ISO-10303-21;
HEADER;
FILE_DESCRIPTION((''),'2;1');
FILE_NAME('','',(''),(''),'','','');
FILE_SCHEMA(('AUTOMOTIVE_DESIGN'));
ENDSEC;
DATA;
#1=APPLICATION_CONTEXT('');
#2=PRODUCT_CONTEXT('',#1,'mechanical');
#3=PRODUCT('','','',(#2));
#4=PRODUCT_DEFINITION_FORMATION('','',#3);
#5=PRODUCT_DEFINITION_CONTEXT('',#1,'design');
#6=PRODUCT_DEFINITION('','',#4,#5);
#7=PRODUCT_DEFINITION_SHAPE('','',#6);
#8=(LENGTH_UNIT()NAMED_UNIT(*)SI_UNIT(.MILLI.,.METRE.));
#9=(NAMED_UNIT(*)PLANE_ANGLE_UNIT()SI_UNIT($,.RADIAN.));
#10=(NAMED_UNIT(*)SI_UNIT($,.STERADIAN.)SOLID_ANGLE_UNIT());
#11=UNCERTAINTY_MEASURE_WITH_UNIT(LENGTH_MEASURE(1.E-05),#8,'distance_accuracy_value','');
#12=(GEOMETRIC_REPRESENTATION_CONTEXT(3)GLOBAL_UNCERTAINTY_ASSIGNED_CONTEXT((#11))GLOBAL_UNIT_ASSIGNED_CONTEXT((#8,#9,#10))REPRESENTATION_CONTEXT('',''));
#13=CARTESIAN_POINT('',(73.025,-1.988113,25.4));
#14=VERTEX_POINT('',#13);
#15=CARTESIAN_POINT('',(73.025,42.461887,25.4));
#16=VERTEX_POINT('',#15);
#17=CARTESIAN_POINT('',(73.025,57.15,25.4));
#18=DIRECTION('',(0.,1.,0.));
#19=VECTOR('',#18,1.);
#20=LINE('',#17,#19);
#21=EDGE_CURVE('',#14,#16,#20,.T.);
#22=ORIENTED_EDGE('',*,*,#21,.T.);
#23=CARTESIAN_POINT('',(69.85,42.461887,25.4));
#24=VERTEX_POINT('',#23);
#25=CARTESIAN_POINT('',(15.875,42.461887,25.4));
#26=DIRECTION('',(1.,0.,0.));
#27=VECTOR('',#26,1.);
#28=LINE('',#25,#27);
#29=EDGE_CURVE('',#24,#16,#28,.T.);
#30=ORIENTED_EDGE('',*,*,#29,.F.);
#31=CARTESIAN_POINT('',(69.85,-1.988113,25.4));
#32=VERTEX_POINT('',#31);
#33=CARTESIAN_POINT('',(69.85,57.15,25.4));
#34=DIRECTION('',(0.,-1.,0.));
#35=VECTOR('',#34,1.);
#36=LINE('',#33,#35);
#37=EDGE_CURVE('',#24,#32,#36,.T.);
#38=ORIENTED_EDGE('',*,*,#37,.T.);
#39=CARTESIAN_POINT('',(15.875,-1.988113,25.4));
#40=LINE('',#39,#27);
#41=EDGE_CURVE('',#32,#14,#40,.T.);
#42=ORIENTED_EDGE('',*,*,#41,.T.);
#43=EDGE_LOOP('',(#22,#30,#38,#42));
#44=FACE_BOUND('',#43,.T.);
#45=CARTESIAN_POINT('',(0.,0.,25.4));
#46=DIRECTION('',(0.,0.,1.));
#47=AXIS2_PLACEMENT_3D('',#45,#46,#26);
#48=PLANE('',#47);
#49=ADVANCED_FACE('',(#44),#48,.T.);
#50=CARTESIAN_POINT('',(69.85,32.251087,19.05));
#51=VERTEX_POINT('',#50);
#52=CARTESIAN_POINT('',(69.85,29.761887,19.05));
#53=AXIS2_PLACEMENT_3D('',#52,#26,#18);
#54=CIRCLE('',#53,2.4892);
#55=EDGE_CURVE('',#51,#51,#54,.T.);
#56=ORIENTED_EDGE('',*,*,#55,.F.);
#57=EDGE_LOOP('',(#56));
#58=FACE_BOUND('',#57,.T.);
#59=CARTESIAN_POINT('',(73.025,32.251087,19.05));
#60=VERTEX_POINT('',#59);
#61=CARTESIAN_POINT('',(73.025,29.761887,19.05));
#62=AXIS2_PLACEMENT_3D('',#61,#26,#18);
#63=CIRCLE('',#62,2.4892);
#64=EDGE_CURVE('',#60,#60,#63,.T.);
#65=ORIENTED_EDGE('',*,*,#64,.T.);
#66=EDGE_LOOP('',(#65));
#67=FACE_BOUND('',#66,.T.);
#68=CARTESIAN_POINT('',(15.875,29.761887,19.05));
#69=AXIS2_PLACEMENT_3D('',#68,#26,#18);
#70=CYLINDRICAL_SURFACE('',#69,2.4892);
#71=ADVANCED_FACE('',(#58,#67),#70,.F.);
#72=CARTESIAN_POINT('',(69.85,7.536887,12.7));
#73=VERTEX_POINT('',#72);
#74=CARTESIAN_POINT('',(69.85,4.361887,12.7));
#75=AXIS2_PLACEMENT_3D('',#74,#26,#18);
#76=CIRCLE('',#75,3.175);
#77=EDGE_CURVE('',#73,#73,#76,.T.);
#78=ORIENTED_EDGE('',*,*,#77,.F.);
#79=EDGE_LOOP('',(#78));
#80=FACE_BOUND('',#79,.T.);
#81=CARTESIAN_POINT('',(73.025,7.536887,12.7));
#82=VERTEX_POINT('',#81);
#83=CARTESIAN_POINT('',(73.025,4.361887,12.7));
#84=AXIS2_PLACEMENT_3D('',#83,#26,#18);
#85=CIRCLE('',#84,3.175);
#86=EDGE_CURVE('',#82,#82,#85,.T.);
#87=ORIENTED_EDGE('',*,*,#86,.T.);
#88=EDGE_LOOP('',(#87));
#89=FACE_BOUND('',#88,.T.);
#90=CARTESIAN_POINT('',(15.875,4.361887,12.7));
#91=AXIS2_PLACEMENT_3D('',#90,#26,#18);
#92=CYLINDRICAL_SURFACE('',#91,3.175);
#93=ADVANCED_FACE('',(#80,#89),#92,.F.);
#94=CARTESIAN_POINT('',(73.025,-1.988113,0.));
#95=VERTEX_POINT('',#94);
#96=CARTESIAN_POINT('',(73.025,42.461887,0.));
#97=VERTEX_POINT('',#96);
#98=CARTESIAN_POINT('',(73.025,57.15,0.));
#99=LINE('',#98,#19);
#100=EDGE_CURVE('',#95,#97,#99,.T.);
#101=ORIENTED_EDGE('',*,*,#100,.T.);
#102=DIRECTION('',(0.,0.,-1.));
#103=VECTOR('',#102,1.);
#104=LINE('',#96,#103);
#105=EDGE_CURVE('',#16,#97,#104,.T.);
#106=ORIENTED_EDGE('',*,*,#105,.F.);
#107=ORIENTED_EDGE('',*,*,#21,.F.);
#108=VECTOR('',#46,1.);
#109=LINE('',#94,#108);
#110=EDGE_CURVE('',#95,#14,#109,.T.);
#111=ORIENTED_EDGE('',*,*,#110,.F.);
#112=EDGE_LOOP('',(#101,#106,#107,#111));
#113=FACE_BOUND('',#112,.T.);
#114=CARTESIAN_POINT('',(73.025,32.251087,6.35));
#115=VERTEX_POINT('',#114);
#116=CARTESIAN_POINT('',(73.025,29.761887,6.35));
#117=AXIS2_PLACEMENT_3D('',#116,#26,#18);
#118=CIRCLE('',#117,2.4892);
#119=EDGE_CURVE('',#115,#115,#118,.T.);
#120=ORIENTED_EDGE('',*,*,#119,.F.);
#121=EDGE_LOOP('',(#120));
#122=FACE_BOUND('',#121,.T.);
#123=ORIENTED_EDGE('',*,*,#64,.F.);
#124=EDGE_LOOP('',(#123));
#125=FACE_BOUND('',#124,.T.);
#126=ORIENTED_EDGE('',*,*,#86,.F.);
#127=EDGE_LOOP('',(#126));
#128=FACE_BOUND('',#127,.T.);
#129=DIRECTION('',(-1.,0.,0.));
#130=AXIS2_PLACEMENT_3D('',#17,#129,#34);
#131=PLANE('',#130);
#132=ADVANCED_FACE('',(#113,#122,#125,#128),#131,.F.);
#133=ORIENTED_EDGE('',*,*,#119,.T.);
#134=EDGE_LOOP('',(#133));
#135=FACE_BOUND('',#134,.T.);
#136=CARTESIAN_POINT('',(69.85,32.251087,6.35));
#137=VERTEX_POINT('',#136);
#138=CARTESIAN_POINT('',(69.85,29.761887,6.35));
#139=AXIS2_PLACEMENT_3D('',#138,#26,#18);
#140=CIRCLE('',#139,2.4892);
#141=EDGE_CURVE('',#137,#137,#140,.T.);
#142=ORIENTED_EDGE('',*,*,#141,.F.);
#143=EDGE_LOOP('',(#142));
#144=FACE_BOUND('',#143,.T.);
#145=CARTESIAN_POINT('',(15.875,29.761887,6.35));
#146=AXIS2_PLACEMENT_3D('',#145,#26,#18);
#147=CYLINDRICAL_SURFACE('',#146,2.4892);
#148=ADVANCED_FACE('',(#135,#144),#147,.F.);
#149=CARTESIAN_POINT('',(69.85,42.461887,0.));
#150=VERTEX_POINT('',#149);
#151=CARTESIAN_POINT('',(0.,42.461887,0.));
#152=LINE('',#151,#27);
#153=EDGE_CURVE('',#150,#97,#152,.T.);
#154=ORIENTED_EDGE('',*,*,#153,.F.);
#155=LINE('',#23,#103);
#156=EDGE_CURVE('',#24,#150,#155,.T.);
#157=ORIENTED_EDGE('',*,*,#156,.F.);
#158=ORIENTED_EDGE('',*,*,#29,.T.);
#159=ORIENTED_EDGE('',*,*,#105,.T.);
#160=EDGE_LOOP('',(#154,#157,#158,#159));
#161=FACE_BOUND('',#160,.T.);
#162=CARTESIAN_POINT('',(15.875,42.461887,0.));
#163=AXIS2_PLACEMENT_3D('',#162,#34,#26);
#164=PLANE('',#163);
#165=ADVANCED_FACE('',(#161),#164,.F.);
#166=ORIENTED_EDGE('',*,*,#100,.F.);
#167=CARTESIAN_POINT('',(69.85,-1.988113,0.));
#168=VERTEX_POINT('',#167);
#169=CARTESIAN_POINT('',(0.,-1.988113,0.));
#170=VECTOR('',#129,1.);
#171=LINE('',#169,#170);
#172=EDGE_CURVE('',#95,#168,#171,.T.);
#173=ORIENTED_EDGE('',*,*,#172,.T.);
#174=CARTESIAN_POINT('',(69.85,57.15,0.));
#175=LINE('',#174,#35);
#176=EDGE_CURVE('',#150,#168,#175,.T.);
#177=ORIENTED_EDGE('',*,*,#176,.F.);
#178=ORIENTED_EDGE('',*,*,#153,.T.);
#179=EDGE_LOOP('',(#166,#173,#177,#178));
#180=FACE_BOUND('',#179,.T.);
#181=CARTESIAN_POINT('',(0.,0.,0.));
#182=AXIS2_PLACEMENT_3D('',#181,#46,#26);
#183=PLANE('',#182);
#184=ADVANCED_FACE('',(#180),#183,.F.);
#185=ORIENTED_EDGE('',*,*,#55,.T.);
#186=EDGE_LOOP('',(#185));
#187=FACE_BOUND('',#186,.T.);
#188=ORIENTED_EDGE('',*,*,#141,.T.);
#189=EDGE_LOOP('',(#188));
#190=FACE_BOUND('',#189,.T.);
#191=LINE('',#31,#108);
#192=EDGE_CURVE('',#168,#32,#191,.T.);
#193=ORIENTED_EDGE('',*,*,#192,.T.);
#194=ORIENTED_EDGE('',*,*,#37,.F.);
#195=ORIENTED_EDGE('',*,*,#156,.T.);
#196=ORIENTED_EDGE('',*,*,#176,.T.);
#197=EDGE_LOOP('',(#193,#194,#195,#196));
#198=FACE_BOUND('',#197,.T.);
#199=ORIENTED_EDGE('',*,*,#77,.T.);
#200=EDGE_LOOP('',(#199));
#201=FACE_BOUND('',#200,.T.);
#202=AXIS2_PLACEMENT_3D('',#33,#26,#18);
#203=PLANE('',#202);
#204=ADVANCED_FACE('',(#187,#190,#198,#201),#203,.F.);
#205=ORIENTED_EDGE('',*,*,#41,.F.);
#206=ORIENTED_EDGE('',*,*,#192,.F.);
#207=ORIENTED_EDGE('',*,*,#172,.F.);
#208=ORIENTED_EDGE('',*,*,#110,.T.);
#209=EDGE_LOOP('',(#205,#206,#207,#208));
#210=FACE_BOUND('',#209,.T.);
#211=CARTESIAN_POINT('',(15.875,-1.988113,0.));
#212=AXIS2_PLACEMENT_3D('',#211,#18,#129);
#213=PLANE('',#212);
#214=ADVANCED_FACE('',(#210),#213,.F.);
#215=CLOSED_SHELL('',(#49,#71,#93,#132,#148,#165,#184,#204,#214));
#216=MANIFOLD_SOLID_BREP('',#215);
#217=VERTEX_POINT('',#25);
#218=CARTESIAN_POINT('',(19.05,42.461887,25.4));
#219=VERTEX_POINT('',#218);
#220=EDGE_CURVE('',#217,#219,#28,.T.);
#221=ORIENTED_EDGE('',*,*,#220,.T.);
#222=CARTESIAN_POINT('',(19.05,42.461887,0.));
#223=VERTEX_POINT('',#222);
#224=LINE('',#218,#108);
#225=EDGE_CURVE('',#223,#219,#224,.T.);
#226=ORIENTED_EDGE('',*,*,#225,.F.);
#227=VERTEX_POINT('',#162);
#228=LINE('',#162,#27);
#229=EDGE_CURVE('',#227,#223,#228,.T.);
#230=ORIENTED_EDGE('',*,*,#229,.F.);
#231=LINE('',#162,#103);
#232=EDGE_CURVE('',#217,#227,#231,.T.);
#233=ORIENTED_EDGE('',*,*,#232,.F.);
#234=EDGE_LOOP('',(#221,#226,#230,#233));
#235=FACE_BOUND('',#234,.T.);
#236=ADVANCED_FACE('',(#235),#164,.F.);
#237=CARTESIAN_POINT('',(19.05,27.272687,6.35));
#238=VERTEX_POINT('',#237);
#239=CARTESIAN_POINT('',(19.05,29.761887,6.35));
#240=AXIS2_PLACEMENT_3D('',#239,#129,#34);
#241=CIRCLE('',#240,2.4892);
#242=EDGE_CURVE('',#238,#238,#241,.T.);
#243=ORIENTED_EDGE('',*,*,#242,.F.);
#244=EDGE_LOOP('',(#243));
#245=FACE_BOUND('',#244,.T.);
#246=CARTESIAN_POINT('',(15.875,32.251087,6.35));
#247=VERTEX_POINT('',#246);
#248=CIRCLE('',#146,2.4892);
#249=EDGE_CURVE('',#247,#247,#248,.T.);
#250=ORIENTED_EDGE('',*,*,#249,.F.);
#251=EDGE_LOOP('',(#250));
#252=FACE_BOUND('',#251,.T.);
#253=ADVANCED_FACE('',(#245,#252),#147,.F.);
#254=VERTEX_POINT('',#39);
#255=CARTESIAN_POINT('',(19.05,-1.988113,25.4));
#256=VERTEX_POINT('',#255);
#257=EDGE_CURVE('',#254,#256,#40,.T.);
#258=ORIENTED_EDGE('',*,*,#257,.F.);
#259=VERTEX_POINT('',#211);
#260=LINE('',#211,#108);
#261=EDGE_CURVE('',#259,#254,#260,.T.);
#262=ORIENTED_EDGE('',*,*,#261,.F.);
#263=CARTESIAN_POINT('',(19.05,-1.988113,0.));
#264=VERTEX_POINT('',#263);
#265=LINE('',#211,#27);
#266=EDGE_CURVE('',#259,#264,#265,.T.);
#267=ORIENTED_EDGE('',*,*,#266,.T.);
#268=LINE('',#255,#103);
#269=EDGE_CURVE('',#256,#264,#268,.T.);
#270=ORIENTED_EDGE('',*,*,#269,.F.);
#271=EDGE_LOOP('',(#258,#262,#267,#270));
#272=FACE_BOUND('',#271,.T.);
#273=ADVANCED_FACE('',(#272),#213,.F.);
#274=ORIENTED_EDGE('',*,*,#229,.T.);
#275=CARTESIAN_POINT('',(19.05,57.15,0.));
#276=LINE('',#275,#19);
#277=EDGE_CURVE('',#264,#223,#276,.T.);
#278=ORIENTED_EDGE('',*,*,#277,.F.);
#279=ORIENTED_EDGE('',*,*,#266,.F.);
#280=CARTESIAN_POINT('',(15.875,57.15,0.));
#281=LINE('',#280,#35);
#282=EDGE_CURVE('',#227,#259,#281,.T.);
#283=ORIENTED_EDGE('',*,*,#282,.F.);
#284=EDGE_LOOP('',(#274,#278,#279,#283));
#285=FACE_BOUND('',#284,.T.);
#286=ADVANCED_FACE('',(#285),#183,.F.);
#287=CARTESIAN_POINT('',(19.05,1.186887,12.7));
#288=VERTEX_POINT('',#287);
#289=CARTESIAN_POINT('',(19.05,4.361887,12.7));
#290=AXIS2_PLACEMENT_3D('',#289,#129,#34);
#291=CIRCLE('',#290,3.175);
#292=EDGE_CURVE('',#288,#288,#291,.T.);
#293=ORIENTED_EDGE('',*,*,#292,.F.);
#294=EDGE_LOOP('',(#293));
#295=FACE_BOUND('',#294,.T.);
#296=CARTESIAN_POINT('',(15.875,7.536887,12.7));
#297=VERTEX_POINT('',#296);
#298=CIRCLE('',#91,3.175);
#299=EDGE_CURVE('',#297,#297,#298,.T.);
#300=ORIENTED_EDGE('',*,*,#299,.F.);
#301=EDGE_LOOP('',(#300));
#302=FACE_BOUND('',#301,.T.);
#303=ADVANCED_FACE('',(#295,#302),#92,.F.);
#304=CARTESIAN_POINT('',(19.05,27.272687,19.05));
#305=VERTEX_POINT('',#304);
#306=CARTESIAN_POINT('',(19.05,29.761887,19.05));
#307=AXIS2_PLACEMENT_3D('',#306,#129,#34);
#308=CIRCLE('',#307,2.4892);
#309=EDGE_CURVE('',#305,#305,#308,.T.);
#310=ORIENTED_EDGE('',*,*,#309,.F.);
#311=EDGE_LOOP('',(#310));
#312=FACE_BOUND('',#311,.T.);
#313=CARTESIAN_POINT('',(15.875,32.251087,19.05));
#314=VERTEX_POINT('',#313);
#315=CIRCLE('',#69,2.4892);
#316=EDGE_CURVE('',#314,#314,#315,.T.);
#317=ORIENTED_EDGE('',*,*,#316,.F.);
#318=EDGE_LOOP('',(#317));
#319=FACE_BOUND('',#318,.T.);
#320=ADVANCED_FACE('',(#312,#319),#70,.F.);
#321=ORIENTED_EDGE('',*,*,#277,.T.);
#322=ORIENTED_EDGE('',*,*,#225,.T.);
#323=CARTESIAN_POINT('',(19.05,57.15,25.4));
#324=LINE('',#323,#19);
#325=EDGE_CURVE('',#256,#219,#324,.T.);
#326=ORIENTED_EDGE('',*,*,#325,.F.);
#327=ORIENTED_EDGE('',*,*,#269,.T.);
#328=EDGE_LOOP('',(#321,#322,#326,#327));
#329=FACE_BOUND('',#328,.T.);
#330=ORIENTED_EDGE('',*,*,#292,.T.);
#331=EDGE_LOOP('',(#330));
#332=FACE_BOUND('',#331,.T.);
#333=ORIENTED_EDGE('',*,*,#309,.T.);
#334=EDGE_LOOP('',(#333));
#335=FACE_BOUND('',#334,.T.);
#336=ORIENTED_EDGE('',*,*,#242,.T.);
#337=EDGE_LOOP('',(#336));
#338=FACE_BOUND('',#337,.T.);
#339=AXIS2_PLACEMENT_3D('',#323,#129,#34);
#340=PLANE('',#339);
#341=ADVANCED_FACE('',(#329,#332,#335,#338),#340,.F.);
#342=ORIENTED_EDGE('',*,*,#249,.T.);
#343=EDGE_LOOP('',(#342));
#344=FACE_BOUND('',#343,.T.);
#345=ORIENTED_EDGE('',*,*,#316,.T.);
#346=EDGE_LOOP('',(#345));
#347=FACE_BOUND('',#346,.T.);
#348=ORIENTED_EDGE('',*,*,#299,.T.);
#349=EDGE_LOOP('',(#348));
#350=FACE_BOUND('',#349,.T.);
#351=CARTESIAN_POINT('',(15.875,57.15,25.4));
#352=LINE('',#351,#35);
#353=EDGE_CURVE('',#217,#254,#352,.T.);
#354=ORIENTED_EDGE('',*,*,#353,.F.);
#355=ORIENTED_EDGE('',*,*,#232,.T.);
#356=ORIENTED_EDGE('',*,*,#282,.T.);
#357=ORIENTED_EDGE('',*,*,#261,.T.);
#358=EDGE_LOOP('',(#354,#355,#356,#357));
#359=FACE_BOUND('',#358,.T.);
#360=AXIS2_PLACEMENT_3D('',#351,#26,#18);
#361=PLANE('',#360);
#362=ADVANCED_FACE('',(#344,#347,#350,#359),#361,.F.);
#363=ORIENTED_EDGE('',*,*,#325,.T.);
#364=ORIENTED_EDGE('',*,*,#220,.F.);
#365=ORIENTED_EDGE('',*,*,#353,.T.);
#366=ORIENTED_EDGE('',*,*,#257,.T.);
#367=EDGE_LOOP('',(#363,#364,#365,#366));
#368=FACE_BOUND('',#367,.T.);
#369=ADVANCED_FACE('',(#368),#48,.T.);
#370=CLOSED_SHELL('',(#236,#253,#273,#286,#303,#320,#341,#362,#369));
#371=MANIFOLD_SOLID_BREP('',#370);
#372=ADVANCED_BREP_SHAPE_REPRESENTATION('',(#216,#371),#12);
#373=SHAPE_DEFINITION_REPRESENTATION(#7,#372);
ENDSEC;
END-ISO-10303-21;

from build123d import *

# Parameters (mm, degrees)
SKETCH1_W             = 3.175
SKETCH1_H             = 68.663112769
BOSS_EXTRUDE1_DEPTH   = 25.4
BOSS_EXTRUDE1_2_DEPTH = 25.4
SKETCH2_R             = 3.175
SKETCH2_R_2           = 2.4892
CUT_EXTRUDE1_DEPTH    = 58.15
SKETCH3_W             = 25.4
SKETCH3_H             = 9.525
SKETCH3_H_2           = 14.688112769
CUT_EXTRUDE3_DEPTH    = 58.15


with BuildPart() as part:
    # Sketch1 → Boss-Extrude1 (new body)
    with BuildSketch(Plane.XY):
        with Locations((71.4375, 22.818443616)):
            Rectangle(SKETCH1_W, SKETCH1_H)
    extrude(amount=BOSS_EXTRUDE1_DEPTH)


with BuildPart() as body_2:
    # Sketch1 → Boss-Extrude1 2 (new body)
    with BuildSketch(Plane.XY):
        with Locations((17.4625, 22.818443616)):
            Rectangle(SKETCH1_W, SKETCH1_H)
    extrude(amount=BOSS_EXTRUDE1_2_DEPTH)


with BuildPart() as cut_extrude1_tool:
    # Sketch2 → Cut-Extrude1 (new body, through all)
    with BuildSketch(Plane(origin=(73.025, 0, 0), x_dir=(0, 0, -1), z_dir=(1, 0, 0))):
        with Locations((-12.7, 4.361887231)):
            Circle(SKETCH2_R)
        with Locations((-19.05, 29.761887231)):
            Circle(SKETCH2_R_2)
        with Locations((-6.35, 29.761887231)):
            Circle(SKETCH2_R_2)
    extrude(amount=-CUT_EXTRUDE1_DEPTH)


with BuildPart() as part_1:
    add(part.part)

    # Cut-Extrude1: cut by cut_extrude1_tool
    add(cut_extrude1_tool.part, mode=Mode.SUBTRACT)


with BuildPart() as body_2_1:
    add(body_2.part)

    # Cut-Extrude1: cut by cut_extrude1_tool
    add(cut_extrude1_tool.part, mode=Mode.SUBTRACT)


with BuildPart() as cut_extrude3_tool:
    # Sketch3 → Cut-Extrude3 (new body, through all)
    with BuildSketch(Plane(origin=(73.025, 0, 0), x_dir=(0, 0, -1), z_dir=(1, 0, 0))):
        with Locations((-12.7, -6.750612769)):
            Rectangle(SKETCH3_W, SKETCH3_H)
        with Locations((-12.7, 49.805943616)):
            Rectangle(SKETCH3_W, SKETCH3_H_2)
    extrude(amount=-CUT_EXTRUDE3_DEPTH)


with BuildPart() as part_2:
    add(part_1.part)

    # Cut-Extrude3: cut by cut_extrude3_tool
    add(cut_extrude3_tool.part, mode=Mode.SUBTRACT)


with BuildPart() as body_2_2:
    add(body_2_1.part)

    # Cut-Extrude3: cut by cut_extrude3_tool
    add(cut_extrude3_tool.part, mode=Mode.SUBTRACT)


solid = Compound([part_2.part, body_2_2.part])
